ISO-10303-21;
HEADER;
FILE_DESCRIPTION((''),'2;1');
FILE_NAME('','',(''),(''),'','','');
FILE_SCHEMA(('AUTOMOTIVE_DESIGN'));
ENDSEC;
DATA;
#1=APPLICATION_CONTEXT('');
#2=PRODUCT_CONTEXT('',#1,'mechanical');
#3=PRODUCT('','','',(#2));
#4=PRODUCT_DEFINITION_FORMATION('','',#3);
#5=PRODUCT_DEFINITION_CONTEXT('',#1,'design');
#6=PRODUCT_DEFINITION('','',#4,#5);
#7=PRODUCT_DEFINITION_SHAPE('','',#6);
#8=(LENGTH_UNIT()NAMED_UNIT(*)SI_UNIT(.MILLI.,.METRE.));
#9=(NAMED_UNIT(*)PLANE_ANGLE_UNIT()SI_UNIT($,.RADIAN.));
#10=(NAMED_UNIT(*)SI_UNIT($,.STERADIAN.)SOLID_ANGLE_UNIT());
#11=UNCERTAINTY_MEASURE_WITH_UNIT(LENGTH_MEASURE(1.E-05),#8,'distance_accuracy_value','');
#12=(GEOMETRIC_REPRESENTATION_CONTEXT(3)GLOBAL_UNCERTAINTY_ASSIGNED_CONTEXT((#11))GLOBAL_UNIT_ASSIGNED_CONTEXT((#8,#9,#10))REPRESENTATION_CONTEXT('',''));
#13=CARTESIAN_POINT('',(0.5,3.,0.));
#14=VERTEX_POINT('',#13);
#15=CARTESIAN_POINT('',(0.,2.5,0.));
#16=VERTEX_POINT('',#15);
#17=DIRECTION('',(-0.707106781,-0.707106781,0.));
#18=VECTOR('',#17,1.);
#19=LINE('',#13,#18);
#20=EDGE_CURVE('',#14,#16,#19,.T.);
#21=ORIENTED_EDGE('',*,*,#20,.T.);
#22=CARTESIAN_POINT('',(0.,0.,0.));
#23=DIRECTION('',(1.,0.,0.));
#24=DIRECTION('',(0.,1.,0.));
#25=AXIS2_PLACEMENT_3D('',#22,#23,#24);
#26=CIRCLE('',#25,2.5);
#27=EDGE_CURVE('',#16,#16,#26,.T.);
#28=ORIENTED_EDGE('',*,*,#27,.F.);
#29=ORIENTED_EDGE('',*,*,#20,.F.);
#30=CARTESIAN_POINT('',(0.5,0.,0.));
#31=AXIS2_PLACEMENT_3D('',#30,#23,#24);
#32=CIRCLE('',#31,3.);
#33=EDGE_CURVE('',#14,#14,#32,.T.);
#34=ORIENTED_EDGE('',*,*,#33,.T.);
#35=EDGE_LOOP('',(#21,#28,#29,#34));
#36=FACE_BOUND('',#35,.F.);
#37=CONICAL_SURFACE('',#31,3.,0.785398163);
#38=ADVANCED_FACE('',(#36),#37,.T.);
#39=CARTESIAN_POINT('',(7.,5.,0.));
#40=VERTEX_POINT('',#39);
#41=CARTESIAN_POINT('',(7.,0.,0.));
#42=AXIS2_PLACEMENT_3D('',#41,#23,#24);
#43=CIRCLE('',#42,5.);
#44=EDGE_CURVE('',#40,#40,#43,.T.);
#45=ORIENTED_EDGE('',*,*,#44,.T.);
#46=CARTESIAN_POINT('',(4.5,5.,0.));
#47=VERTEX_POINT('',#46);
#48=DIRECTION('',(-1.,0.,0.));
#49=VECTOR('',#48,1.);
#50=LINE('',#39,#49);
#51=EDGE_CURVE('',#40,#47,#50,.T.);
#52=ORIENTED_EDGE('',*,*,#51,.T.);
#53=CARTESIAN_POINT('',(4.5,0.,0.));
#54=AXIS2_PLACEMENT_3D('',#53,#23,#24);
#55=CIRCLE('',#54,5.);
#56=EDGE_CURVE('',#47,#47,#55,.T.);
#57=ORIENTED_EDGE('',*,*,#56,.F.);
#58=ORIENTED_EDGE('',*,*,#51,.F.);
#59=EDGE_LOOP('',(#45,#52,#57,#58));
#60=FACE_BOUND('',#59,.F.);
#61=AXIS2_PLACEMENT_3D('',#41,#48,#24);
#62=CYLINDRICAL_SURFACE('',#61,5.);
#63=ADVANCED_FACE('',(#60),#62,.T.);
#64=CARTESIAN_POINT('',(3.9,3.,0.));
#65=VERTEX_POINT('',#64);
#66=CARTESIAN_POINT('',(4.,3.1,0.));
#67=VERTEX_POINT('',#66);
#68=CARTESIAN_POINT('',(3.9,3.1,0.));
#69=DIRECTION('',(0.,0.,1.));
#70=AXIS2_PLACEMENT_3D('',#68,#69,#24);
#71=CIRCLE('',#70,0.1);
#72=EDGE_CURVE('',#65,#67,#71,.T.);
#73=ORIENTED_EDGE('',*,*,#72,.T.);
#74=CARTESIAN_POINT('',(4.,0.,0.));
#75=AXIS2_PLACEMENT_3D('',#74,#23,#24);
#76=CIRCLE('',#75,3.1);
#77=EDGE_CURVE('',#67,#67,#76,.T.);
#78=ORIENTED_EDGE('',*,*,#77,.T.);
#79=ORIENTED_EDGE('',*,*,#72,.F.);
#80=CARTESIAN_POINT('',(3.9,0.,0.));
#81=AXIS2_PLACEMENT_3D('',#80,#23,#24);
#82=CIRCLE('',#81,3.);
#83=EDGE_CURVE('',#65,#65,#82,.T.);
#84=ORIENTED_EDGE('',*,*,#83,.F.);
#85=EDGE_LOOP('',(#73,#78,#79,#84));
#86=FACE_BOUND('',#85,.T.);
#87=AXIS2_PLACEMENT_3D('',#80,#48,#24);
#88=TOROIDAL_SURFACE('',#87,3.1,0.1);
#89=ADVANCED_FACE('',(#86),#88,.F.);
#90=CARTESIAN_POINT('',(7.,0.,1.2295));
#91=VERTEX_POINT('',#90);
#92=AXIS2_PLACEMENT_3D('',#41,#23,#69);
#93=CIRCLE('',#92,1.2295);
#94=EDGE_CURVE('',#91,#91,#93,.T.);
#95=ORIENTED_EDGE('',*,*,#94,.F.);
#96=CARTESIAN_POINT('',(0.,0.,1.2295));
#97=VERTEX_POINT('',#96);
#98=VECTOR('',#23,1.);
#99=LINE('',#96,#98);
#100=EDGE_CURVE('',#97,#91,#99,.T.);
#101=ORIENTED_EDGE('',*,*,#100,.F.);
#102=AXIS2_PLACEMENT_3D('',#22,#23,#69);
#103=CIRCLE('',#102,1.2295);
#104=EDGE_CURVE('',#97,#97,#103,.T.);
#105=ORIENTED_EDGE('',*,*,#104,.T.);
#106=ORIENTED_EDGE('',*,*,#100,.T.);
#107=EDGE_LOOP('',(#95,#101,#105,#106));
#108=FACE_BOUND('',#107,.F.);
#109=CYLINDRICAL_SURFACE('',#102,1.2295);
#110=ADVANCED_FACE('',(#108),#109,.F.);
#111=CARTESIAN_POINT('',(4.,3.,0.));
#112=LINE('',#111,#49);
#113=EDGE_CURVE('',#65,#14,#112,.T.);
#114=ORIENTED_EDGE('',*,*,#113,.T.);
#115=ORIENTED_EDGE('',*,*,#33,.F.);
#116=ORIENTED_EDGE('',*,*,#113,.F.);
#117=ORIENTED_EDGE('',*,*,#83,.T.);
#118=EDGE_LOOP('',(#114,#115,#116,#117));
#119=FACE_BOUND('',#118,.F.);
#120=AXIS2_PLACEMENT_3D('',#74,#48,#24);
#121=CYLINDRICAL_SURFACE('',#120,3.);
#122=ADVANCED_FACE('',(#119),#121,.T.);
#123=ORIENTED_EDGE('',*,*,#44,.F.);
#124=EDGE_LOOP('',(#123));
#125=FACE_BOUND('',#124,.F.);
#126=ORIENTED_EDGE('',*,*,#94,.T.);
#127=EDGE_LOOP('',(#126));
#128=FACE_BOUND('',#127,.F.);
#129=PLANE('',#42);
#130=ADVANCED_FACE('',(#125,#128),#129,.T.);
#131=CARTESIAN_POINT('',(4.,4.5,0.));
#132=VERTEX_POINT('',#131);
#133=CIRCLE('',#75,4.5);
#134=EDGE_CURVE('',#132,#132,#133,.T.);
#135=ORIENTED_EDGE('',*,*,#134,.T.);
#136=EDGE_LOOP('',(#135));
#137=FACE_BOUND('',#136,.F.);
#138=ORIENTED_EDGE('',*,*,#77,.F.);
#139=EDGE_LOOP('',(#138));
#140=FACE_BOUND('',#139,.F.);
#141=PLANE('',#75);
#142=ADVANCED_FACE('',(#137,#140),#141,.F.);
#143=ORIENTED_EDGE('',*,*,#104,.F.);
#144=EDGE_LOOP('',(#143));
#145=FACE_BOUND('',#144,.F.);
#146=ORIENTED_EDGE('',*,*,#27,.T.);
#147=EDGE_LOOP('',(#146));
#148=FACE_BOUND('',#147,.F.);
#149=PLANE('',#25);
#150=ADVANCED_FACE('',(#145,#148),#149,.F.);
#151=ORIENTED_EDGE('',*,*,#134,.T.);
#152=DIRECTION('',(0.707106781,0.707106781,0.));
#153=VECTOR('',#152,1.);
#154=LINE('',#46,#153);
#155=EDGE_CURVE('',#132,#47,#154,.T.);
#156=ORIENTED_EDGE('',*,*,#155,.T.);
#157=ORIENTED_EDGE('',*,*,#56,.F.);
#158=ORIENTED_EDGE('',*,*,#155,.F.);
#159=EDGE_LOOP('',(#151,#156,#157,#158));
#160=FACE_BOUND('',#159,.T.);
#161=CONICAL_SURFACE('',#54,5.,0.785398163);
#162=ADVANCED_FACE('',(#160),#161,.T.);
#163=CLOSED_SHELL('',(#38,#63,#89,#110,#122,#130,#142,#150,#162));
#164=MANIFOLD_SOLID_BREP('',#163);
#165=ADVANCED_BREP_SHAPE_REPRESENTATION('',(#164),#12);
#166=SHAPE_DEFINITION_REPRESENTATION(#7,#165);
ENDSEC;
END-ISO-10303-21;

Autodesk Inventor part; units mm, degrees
ref_plane "YZ Plane" through (0, 0, 0) normal (1, 0, 0) x (0, 1, 0)
ref_plane "XZ Plane" through (0, 0, 0) normal (0, 1, 0) x (-1, 0, 0)
ref_plane "XY Plane" through (0, 0, 0) normal (0, 0, 1) x (1, 0, 0)
sketch "Sketch1" plane through (0, 0, 0) normal (0, 0, 1) x (1, 0, 0)
  line L0 (0, 0) -> (4, 0)
  line L1 (4, 0) -> (4, 3)
  line L2 (4, 3) -> (0, 3)
  line L3 (0, 3) -> (0, 0)
  line L4 (4, 0) -> (7, 0)
  line L5 (7, 0) -> (7, 5)
  line L6 (7, 5) -> (4, 5)
  line L7 (4, 5) -> (4, 0)
  dimension "d0" = 4
  dimension "d1" = 3
  dimension "d2" = 3
  dimension "d3" = 5
revolve "Revolution1" add sketch "Sketch1" angle 360 about axis through (0, 0, 0) along (1, 0, 0)
fillet "Fillet1" radius 0.1 1 edges at (4, -3, 0)
chamfer "Chamfer1" distance 0.5 angle 45 2 edges at (4, -5, 0) (0, -3, 0)
sketch "Sketch2" plane through (0, 0, 0) normal (-1, 0, 0) x (0, 0, 1)
  point P0 (0, 0)
  point P1 (0, 0)
hole "Hole1" at (0, 0, 0) direction (1, 0, 0) diameter 2.459 end through all thread size "M3x0.5" class "6H" standard "ANSI Metric M Profile"
properties part number "Top_Shaft 1" material "Stainless Steel"
